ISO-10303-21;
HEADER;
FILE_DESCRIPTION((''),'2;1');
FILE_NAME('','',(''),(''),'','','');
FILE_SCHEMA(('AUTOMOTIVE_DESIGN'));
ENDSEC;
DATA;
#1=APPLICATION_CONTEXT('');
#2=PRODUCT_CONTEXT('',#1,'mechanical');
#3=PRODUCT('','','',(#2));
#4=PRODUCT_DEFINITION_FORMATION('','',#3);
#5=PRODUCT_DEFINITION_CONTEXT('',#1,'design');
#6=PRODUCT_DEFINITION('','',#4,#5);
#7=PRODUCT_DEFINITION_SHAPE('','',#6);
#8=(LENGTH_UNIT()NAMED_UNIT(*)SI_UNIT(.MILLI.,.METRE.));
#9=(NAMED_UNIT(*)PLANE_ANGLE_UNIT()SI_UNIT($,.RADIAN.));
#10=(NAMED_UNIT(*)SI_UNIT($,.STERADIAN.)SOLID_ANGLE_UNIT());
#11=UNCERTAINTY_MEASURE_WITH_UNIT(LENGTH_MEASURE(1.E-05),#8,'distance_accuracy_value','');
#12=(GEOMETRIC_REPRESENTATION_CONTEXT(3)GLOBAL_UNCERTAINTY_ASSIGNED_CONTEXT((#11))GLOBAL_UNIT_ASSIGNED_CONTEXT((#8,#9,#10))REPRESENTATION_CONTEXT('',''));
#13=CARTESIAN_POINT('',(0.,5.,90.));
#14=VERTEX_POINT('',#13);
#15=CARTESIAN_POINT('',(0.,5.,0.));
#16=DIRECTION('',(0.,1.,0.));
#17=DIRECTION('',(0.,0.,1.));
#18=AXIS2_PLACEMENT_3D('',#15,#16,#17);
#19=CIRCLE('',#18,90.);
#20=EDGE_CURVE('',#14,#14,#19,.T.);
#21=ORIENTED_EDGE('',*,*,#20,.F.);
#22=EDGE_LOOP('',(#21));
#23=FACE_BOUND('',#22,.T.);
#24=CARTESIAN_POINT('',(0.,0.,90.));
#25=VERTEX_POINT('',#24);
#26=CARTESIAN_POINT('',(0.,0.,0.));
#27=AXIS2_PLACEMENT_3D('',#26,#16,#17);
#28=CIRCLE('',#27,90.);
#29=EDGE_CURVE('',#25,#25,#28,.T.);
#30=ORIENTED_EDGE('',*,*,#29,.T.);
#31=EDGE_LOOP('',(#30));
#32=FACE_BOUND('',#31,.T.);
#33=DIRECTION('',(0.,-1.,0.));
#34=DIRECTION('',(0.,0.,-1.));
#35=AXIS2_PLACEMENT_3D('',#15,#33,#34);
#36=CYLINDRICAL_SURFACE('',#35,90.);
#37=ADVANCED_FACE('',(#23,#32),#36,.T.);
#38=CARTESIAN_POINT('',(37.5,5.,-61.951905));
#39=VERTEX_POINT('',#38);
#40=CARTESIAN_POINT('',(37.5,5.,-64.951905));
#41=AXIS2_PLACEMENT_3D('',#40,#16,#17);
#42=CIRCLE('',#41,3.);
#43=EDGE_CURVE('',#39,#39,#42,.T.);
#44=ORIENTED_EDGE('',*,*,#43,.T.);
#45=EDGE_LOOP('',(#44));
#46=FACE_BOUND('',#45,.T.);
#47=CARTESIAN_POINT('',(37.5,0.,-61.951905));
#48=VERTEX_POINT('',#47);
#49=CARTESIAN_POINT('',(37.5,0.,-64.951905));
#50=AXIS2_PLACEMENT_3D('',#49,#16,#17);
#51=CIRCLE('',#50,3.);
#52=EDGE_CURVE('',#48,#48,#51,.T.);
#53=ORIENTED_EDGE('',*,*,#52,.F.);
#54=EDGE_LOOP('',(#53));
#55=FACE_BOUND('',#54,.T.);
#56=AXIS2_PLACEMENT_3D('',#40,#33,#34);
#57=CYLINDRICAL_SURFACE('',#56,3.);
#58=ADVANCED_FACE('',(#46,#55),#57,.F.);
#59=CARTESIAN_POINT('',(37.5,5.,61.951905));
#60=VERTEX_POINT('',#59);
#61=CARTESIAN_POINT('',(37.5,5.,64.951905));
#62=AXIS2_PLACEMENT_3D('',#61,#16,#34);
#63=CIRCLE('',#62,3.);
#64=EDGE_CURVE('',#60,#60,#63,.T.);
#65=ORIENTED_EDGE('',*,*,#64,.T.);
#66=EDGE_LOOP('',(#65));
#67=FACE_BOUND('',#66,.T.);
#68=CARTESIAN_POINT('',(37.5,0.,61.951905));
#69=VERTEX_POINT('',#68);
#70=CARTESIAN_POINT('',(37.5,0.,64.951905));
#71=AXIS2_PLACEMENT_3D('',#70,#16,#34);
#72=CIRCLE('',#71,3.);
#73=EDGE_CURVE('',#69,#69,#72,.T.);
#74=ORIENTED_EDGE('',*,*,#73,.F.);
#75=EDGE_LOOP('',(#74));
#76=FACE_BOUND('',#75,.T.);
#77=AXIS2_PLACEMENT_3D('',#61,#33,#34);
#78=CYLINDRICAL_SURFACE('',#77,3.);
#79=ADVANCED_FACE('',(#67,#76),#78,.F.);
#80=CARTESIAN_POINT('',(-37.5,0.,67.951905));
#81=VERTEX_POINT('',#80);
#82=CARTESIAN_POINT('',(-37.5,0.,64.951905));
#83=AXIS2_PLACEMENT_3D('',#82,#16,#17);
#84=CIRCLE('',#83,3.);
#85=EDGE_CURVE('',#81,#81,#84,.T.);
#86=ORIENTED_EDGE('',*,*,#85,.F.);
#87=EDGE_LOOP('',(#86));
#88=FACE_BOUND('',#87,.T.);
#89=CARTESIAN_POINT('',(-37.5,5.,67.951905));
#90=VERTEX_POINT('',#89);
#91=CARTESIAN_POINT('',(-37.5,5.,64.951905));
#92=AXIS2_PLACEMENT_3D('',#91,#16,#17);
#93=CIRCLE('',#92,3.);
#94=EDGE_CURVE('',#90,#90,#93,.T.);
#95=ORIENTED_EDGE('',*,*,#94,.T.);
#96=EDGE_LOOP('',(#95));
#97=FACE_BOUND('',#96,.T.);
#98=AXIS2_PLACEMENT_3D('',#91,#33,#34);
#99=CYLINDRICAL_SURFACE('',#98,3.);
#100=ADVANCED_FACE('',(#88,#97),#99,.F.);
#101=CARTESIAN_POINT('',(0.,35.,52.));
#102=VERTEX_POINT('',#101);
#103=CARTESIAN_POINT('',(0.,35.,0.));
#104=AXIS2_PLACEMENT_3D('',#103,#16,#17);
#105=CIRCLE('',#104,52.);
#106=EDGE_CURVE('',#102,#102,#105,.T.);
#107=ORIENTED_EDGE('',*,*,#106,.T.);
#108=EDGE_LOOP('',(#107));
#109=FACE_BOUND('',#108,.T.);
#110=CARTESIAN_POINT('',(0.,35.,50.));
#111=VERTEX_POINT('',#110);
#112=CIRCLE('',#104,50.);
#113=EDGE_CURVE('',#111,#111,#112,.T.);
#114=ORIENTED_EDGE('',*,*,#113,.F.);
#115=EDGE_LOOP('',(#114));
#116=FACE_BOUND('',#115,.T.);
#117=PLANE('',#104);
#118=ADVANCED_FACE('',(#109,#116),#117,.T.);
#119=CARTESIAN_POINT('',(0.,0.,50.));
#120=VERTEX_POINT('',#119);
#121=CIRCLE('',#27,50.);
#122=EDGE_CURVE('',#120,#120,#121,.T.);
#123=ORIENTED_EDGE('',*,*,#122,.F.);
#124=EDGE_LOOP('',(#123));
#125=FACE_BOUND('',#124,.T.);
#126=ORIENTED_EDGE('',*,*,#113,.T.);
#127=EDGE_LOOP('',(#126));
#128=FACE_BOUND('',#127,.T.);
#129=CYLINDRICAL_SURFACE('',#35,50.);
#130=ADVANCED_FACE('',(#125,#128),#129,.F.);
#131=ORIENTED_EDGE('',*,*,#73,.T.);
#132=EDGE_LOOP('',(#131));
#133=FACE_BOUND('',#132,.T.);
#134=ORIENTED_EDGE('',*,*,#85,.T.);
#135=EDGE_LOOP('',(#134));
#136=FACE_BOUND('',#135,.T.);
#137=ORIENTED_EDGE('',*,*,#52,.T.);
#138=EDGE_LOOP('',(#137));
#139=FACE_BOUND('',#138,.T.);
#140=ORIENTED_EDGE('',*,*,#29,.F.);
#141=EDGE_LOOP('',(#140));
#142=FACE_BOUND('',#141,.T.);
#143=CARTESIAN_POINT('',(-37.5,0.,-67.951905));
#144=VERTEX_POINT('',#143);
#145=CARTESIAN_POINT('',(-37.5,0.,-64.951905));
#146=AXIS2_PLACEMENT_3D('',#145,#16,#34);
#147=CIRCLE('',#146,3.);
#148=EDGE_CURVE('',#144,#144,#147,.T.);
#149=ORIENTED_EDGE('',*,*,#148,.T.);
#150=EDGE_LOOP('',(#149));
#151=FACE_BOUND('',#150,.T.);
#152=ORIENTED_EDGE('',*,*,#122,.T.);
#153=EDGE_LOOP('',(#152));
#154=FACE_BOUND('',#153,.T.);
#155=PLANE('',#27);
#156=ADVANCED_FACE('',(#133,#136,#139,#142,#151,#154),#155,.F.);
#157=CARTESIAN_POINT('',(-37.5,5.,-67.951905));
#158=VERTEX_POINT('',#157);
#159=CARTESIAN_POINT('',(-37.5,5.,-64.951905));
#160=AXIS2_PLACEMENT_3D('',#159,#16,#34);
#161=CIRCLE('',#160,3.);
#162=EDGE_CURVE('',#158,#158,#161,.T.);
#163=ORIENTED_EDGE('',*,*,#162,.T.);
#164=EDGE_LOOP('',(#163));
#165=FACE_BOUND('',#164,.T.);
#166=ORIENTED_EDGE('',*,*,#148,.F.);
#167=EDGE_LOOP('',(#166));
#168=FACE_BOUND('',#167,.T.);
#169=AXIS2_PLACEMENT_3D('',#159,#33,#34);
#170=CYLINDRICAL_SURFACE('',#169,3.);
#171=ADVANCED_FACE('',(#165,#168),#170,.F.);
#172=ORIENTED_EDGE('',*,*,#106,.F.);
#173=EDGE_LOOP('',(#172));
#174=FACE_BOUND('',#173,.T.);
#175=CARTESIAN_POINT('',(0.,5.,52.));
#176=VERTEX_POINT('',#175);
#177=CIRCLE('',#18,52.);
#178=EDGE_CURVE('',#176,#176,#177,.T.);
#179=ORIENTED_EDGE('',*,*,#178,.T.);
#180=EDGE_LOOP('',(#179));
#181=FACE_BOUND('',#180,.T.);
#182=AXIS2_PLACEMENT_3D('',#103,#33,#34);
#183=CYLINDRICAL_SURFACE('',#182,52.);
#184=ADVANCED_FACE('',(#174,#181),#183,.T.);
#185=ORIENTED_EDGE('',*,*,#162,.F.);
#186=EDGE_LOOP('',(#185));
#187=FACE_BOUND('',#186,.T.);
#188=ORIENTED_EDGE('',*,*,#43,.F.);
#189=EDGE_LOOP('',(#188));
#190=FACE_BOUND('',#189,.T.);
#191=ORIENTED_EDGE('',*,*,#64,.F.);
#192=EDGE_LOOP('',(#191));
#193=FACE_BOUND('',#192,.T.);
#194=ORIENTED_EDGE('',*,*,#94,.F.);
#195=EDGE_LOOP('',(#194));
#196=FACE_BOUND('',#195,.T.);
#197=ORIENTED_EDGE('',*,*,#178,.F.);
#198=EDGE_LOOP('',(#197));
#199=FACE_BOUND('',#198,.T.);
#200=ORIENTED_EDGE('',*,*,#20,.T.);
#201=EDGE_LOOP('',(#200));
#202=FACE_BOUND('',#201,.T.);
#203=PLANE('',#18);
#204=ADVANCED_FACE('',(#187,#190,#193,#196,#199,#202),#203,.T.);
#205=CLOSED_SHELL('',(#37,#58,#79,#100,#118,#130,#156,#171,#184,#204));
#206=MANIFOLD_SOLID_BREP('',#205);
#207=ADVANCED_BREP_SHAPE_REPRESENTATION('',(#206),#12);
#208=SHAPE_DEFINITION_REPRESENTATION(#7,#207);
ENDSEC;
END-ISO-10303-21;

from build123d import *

# Parameters (mm, degrees)
SKETCH1_R           = 90
SKETCH1_R_2         = 50
SKETCH1_R_3         = 3
BOSS_EXTRUDE1_DEPTH = 5
SKETCH2_R           = 52
SKETCH2_R_2         = 50
BOSS_EXTRUDE2_DEPTH = 30


with BuildPart() as part:
    # Sketch1 → Boss-Extrude1 (new body)
    with BuildSketch(Plane(origin=(0, 0, 0), x_dir=(1, 0, 0), z_dir=(0, 1, 0))):
        with Locations(Location((0, 0, 0), (0, 0, 270))):
            Circle(SKETCH1_R)
        with Locations(Location((0, 0, 0), (0, 0, 270))):
            Circle(SKETCH1_R_2, mode=Mode.SUBTRACT)
        with Locations(Location((37.5, 64.951905284, 0), (0, 0, 270))):
            Circle(SKETCH1_R_3, mode=Mode.SUBTRACT)
        with Locations(Location((-37.5, 64.951905284, 0), (0, 0, 90))):
            Circle(SKETCH1_R_3, mode=Mode.SUBTRACT)
        with Locations(Location((37.5, -64.951905284, 0), (0, 0, 90))):
            Circle(SKETCH1_R_3, mode=Mode.SUBTRACT)
        with Locations(Location((-37.5, -64.951905284, 0), (0, 0, 270))):
            Circle(SKETCH1_R_3, mode=Mode.SUBTRACT)
    extrude(amount=BOSS_EXTRUDE1_DEPTH)

    # Sketch2 → Boss-Extrude2 (add)
    with BuildSketch(Plane(origin=(0, 5, 0), x_dir=(1, 0, 0), z_dir=(0, 1, 0))):
        with Locations(Location((0, 0, 0), (0, 0, 270))):
            Circle(SKETCH2_R)
        with Locations(Location((0, 0, 0), (0, 0, 270))):
            Circle(SKETCH2_R_2, mode=Mode.SUBTRACT)
    extrude(amount=BOSS_EXTRUDE2_DEPTH)


solid = part.part
